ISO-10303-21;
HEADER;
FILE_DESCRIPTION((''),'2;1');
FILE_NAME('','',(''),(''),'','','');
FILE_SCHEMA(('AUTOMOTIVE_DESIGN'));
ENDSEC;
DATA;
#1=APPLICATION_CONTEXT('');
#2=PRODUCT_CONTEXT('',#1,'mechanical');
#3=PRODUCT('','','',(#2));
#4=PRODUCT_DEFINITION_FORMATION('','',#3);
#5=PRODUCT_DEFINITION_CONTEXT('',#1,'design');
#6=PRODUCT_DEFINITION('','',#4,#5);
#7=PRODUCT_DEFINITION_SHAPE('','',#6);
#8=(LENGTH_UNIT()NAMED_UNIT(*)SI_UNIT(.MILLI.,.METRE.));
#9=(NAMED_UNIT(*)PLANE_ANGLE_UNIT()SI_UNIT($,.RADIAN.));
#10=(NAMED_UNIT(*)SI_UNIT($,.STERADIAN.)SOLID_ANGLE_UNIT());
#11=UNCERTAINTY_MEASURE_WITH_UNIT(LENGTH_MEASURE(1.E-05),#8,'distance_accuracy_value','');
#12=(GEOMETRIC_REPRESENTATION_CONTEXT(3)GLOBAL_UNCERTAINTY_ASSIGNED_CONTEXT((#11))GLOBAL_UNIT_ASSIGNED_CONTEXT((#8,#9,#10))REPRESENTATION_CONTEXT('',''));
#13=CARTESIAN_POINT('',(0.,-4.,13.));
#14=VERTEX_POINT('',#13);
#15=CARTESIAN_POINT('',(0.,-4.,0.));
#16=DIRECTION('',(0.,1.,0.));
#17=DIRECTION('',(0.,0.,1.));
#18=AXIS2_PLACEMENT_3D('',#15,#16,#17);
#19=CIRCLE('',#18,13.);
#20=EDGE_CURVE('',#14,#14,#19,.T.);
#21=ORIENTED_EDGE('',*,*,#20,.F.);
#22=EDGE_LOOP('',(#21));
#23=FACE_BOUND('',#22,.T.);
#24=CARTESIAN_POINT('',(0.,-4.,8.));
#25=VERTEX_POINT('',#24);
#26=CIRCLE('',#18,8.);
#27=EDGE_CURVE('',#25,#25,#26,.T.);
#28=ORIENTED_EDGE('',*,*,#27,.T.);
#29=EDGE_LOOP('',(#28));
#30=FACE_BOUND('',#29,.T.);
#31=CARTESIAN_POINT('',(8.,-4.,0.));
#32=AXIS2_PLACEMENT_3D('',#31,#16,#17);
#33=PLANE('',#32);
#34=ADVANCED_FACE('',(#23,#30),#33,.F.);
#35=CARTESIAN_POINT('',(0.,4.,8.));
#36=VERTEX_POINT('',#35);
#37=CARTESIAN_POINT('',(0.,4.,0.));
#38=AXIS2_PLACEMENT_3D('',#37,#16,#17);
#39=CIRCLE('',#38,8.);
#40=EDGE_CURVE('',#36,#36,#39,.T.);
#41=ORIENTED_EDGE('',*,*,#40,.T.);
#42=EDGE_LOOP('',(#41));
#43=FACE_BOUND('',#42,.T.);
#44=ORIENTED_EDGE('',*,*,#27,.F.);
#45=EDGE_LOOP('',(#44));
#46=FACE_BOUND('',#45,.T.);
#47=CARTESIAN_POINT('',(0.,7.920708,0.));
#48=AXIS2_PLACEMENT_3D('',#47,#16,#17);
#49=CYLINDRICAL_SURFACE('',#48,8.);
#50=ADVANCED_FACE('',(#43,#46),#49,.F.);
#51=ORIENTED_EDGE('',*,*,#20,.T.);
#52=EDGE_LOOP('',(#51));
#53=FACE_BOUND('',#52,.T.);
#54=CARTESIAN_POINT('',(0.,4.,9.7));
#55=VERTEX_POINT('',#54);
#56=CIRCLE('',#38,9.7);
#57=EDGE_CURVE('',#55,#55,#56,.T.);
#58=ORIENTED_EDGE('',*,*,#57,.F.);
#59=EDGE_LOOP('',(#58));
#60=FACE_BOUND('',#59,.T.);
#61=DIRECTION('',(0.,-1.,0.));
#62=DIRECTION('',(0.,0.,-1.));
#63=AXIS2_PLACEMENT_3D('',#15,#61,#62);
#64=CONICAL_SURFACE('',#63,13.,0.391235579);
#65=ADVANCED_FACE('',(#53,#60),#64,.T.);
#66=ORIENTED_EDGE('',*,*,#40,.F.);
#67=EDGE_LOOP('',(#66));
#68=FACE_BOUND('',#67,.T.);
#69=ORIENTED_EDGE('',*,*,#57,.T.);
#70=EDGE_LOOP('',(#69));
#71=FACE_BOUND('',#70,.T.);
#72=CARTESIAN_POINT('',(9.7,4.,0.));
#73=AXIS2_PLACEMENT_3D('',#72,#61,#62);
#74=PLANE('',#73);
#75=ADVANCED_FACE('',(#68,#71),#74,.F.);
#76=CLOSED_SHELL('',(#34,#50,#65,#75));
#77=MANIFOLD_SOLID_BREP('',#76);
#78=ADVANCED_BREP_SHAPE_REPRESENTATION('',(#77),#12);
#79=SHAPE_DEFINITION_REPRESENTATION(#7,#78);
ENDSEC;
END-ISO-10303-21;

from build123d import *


with BuildPart() as part:
    # Szkic1 → Obrót1 (revolve)
    with BuildSketch(Plane.XY, mode=Mode.PRIVATE) as obr_t1_sk:
        Polygon((8, 4), (8, -4), (13, -4), (9.7, 4), align=None)
    revolve(obr_t1_sk.sketch.rotate(Axis((0, 7.920708236, 0), (0, -1, 0)), 90), axis=Axis((0, 7.920708236, 0), (0, -1, 0)))


solid = part.part
